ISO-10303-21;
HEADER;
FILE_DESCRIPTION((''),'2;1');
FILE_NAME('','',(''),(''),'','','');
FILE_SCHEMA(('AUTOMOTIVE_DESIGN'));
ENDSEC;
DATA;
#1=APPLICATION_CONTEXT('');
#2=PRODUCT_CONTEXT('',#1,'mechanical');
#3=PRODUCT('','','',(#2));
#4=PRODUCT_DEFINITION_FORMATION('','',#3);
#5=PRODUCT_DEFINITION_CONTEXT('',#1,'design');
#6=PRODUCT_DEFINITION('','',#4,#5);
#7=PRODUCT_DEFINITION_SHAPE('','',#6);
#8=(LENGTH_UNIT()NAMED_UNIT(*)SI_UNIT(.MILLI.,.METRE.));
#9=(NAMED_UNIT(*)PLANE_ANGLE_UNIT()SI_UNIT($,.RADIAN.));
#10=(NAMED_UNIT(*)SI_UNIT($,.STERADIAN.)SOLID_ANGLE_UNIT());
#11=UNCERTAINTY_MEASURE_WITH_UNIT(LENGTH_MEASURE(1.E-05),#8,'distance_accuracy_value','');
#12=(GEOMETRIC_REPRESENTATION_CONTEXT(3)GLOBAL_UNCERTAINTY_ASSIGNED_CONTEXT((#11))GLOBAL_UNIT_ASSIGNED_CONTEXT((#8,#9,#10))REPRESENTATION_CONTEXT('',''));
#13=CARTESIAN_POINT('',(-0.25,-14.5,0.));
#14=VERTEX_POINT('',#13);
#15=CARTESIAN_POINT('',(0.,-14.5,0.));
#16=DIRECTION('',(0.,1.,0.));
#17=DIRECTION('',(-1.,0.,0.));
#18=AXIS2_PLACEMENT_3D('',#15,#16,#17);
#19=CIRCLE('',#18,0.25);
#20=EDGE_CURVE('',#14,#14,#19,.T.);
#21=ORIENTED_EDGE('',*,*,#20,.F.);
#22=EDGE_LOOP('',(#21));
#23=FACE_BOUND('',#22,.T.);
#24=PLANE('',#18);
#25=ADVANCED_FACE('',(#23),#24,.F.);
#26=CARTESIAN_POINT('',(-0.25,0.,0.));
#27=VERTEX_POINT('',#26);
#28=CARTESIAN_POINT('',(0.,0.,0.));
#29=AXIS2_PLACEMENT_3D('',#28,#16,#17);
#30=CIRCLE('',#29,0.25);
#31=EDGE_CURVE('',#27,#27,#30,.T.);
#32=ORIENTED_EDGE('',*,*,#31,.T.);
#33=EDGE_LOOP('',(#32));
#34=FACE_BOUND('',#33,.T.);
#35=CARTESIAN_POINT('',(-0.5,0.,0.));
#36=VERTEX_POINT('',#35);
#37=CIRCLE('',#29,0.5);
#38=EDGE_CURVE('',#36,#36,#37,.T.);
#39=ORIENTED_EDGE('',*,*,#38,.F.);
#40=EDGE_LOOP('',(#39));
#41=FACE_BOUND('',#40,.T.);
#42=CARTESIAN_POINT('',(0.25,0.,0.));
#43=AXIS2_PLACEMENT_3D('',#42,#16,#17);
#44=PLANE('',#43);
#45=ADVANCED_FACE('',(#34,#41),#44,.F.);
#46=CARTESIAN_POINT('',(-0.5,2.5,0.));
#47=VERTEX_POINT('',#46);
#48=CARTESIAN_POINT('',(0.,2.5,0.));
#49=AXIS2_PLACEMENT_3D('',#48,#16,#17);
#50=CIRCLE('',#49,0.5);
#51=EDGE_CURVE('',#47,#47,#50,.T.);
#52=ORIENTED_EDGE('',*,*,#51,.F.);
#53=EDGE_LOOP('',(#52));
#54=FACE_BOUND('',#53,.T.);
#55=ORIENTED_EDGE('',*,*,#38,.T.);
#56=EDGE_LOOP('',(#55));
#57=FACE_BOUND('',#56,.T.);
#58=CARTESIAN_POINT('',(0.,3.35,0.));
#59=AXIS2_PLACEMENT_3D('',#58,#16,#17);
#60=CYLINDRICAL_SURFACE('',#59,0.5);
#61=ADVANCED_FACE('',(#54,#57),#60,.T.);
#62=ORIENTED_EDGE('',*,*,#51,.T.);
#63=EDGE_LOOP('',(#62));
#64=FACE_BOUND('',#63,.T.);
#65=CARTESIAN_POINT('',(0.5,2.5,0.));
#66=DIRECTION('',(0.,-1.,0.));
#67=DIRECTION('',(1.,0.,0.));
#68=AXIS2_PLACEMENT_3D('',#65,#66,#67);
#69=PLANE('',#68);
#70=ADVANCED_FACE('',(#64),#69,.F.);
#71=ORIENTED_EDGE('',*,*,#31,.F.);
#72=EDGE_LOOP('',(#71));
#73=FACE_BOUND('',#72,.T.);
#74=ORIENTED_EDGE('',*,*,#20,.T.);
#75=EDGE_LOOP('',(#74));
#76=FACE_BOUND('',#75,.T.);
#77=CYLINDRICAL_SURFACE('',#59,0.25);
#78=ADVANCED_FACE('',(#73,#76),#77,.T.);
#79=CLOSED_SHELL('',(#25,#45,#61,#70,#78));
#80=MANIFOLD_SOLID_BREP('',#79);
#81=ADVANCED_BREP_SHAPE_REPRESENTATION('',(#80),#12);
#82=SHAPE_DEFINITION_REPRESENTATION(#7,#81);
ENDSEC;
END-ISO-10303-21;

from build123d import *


with BuildPart() as part:
    # S2D0002 → Revolve1 (revolve)
    with BuildSketch(Plane.XY):
        Polygon((0.25, 0), (0.25, -14.5), (0, -14.5), (0, 2.5), (0.5, 2.5), (0.5, 0), align=None)
    revolve(axis=Axis((0, 3.35, 0), (0, -1, 0)))


solid = part.part
